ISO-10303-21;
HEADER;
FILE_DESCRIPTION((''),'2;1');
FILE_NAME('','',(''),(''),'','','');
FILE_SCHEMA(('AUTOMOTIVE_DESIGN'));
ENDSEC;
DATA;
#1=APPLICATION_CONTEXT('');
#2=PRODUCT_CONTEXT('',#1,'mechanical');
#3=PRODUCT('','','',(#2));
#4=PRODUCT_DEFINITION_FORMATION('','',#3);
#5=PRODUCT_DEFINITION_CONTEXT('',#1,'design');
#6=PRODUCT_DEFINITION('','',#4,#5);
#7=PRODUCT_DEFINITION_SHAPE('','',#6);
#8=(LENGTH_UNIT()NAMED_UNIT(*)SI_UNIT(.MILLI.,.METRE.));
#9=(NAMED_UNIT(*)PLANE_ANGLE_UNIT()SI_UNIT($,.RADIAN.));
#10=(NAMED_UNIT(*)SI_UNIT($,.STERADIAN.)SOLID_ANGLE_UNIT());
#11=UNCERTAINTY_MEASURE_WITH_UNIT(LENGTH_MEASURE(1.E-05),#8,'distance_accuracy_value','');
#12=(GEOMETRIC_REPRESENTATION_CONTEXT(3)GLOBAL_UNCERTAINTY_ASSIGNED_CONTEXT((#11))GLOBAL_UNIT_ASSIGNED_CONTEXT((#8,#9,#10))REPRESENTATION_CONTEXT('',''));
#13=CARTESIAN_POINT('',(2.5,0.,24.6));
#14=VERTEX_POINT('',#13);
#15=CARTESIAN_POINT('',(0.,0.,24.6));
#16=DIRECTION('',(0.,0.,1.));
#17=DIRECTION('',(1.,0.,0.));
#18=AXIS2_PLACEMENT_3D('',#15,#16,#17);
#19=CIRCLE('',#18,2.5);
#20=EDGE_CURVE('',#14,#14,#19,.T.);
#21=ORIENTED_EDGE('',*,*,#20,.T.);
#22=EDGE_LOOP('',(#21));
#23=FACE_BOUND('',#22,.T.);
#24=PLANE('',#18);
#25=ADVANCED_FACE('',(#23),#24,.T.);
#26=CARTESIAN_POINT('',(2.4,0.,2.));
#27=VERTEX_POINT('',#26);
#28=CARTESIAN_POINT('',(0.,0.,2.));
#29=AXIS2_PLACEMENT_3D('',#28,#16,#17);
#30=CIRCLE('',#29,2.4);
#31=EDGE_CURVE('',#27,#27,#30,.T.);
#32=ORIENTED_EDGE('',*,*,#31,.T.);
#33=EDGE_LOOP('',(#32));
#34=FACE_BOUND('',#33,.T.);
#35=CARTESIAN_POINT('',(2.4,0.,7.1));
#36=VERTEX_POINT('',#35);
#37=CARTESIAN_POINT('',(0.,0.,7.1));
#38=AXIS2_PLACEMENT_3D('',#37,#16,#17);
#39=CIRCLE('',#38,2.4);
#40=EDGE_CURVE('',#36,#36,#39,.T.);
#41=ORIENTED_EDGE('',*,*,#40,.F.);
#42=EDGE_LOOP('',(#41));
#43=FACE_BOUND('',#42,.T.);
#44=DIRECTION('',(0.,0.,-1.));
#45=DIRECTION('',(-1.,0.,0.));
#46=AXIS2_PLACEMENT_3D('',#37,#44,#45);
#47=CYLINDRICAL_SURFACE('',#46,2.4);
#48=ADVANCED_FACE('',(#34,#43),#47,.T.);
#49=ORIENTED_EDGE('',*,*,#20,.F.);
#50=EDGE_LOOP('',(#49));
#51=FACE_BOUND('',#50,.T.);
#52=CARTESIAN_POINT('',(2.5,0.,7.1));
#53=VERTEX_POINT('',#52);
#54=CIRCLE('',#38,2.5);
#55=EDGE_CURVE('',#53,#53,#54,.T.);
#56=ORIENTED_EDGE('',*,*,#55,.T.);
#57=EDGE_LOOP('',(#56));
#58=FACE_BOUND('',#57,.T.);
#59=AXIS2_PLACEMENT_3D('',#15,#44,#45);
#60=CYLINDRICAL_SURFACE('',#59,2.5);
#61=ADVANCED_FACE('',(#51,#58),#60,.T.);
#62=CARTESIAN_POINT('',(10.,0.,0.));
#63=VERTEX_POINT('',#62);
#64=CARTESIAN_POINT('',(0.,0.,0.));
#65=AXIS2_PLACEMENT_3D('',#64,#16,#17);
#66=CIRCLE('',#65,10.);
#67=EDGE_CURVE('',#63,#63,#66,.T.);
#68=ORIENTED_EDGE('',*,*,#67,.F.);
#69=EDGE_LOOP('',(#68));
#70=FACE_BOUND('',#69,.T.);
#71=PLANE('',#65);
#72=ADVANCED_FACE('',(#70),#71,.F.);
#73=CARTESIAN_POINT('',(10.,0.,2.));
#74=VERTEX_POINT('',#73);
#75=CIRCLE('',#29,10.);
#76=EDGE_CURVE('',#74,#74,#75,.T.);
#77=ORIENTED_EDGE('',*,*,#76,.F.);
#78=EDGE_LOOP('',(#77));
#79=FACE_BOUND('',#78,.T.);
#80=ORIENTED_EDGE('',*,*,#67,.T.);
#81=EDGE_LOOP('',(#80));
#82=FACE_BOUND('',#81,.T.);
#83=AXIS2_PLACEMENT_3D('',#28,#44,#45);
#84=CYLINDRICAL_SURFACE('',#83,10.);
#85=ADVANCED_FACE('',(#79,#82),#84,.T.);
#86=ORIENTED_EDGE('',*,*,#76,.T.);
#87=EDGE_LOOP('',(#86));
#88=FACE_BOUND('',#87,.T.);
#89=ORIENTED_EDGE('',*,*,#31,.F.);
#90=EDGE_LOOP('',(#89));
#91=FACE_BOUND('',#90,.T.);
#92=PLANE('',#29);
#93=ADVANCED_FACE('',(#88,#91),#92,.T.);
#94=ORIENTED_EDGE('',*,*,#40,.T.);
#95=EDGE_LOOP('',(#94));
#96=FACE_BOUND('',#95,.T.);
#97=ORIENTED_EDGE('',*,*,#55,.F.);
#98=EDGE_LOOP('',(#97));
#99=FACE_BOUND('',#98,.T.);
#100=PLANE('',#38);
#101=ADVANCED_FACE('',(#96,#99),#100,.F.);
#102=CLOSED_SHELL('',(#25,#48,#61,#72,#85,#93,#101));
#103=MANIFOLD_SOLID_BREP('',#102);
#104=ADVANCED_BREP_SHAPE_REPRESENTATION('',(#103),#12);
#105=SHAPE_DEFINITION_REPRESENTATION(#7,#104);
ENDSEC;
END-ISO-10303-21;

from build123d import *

# Parameters (mm, degrees)
SKETCH1_R      = 10
EXTRUDE1_DEPTH = 2
SKETCH2_R      = 2.4
EXTRUDE2_DEPTH = 5.1
SKETCH3_R      = 2.5
EXTRUDE3_DEPTH = 17.5


with BuildPart() as part:
    # Sketch1 → Extrude1 (new body)
    with BuildSketch(Plane.XY):
        Circle(SKETCH1_R)
    extrude(amount=EXTRUDE1_DEPTH)

    # Sketch2 → Extrude2 (add)
    with BuildSketch(Plane.XY.offset(2)):
        Circle(SKETCH2_R)
    extrude(amount=EXTRUDE2_DEPTH)

    # Sketch3 → Extrude3 (add)
    with BuildSketch(Plane.XY.offset(7.1)):
        Circle(SKETCH3_R)
    extrude(amount=EXTRUDE3_DEPTH)


solid = part.part
